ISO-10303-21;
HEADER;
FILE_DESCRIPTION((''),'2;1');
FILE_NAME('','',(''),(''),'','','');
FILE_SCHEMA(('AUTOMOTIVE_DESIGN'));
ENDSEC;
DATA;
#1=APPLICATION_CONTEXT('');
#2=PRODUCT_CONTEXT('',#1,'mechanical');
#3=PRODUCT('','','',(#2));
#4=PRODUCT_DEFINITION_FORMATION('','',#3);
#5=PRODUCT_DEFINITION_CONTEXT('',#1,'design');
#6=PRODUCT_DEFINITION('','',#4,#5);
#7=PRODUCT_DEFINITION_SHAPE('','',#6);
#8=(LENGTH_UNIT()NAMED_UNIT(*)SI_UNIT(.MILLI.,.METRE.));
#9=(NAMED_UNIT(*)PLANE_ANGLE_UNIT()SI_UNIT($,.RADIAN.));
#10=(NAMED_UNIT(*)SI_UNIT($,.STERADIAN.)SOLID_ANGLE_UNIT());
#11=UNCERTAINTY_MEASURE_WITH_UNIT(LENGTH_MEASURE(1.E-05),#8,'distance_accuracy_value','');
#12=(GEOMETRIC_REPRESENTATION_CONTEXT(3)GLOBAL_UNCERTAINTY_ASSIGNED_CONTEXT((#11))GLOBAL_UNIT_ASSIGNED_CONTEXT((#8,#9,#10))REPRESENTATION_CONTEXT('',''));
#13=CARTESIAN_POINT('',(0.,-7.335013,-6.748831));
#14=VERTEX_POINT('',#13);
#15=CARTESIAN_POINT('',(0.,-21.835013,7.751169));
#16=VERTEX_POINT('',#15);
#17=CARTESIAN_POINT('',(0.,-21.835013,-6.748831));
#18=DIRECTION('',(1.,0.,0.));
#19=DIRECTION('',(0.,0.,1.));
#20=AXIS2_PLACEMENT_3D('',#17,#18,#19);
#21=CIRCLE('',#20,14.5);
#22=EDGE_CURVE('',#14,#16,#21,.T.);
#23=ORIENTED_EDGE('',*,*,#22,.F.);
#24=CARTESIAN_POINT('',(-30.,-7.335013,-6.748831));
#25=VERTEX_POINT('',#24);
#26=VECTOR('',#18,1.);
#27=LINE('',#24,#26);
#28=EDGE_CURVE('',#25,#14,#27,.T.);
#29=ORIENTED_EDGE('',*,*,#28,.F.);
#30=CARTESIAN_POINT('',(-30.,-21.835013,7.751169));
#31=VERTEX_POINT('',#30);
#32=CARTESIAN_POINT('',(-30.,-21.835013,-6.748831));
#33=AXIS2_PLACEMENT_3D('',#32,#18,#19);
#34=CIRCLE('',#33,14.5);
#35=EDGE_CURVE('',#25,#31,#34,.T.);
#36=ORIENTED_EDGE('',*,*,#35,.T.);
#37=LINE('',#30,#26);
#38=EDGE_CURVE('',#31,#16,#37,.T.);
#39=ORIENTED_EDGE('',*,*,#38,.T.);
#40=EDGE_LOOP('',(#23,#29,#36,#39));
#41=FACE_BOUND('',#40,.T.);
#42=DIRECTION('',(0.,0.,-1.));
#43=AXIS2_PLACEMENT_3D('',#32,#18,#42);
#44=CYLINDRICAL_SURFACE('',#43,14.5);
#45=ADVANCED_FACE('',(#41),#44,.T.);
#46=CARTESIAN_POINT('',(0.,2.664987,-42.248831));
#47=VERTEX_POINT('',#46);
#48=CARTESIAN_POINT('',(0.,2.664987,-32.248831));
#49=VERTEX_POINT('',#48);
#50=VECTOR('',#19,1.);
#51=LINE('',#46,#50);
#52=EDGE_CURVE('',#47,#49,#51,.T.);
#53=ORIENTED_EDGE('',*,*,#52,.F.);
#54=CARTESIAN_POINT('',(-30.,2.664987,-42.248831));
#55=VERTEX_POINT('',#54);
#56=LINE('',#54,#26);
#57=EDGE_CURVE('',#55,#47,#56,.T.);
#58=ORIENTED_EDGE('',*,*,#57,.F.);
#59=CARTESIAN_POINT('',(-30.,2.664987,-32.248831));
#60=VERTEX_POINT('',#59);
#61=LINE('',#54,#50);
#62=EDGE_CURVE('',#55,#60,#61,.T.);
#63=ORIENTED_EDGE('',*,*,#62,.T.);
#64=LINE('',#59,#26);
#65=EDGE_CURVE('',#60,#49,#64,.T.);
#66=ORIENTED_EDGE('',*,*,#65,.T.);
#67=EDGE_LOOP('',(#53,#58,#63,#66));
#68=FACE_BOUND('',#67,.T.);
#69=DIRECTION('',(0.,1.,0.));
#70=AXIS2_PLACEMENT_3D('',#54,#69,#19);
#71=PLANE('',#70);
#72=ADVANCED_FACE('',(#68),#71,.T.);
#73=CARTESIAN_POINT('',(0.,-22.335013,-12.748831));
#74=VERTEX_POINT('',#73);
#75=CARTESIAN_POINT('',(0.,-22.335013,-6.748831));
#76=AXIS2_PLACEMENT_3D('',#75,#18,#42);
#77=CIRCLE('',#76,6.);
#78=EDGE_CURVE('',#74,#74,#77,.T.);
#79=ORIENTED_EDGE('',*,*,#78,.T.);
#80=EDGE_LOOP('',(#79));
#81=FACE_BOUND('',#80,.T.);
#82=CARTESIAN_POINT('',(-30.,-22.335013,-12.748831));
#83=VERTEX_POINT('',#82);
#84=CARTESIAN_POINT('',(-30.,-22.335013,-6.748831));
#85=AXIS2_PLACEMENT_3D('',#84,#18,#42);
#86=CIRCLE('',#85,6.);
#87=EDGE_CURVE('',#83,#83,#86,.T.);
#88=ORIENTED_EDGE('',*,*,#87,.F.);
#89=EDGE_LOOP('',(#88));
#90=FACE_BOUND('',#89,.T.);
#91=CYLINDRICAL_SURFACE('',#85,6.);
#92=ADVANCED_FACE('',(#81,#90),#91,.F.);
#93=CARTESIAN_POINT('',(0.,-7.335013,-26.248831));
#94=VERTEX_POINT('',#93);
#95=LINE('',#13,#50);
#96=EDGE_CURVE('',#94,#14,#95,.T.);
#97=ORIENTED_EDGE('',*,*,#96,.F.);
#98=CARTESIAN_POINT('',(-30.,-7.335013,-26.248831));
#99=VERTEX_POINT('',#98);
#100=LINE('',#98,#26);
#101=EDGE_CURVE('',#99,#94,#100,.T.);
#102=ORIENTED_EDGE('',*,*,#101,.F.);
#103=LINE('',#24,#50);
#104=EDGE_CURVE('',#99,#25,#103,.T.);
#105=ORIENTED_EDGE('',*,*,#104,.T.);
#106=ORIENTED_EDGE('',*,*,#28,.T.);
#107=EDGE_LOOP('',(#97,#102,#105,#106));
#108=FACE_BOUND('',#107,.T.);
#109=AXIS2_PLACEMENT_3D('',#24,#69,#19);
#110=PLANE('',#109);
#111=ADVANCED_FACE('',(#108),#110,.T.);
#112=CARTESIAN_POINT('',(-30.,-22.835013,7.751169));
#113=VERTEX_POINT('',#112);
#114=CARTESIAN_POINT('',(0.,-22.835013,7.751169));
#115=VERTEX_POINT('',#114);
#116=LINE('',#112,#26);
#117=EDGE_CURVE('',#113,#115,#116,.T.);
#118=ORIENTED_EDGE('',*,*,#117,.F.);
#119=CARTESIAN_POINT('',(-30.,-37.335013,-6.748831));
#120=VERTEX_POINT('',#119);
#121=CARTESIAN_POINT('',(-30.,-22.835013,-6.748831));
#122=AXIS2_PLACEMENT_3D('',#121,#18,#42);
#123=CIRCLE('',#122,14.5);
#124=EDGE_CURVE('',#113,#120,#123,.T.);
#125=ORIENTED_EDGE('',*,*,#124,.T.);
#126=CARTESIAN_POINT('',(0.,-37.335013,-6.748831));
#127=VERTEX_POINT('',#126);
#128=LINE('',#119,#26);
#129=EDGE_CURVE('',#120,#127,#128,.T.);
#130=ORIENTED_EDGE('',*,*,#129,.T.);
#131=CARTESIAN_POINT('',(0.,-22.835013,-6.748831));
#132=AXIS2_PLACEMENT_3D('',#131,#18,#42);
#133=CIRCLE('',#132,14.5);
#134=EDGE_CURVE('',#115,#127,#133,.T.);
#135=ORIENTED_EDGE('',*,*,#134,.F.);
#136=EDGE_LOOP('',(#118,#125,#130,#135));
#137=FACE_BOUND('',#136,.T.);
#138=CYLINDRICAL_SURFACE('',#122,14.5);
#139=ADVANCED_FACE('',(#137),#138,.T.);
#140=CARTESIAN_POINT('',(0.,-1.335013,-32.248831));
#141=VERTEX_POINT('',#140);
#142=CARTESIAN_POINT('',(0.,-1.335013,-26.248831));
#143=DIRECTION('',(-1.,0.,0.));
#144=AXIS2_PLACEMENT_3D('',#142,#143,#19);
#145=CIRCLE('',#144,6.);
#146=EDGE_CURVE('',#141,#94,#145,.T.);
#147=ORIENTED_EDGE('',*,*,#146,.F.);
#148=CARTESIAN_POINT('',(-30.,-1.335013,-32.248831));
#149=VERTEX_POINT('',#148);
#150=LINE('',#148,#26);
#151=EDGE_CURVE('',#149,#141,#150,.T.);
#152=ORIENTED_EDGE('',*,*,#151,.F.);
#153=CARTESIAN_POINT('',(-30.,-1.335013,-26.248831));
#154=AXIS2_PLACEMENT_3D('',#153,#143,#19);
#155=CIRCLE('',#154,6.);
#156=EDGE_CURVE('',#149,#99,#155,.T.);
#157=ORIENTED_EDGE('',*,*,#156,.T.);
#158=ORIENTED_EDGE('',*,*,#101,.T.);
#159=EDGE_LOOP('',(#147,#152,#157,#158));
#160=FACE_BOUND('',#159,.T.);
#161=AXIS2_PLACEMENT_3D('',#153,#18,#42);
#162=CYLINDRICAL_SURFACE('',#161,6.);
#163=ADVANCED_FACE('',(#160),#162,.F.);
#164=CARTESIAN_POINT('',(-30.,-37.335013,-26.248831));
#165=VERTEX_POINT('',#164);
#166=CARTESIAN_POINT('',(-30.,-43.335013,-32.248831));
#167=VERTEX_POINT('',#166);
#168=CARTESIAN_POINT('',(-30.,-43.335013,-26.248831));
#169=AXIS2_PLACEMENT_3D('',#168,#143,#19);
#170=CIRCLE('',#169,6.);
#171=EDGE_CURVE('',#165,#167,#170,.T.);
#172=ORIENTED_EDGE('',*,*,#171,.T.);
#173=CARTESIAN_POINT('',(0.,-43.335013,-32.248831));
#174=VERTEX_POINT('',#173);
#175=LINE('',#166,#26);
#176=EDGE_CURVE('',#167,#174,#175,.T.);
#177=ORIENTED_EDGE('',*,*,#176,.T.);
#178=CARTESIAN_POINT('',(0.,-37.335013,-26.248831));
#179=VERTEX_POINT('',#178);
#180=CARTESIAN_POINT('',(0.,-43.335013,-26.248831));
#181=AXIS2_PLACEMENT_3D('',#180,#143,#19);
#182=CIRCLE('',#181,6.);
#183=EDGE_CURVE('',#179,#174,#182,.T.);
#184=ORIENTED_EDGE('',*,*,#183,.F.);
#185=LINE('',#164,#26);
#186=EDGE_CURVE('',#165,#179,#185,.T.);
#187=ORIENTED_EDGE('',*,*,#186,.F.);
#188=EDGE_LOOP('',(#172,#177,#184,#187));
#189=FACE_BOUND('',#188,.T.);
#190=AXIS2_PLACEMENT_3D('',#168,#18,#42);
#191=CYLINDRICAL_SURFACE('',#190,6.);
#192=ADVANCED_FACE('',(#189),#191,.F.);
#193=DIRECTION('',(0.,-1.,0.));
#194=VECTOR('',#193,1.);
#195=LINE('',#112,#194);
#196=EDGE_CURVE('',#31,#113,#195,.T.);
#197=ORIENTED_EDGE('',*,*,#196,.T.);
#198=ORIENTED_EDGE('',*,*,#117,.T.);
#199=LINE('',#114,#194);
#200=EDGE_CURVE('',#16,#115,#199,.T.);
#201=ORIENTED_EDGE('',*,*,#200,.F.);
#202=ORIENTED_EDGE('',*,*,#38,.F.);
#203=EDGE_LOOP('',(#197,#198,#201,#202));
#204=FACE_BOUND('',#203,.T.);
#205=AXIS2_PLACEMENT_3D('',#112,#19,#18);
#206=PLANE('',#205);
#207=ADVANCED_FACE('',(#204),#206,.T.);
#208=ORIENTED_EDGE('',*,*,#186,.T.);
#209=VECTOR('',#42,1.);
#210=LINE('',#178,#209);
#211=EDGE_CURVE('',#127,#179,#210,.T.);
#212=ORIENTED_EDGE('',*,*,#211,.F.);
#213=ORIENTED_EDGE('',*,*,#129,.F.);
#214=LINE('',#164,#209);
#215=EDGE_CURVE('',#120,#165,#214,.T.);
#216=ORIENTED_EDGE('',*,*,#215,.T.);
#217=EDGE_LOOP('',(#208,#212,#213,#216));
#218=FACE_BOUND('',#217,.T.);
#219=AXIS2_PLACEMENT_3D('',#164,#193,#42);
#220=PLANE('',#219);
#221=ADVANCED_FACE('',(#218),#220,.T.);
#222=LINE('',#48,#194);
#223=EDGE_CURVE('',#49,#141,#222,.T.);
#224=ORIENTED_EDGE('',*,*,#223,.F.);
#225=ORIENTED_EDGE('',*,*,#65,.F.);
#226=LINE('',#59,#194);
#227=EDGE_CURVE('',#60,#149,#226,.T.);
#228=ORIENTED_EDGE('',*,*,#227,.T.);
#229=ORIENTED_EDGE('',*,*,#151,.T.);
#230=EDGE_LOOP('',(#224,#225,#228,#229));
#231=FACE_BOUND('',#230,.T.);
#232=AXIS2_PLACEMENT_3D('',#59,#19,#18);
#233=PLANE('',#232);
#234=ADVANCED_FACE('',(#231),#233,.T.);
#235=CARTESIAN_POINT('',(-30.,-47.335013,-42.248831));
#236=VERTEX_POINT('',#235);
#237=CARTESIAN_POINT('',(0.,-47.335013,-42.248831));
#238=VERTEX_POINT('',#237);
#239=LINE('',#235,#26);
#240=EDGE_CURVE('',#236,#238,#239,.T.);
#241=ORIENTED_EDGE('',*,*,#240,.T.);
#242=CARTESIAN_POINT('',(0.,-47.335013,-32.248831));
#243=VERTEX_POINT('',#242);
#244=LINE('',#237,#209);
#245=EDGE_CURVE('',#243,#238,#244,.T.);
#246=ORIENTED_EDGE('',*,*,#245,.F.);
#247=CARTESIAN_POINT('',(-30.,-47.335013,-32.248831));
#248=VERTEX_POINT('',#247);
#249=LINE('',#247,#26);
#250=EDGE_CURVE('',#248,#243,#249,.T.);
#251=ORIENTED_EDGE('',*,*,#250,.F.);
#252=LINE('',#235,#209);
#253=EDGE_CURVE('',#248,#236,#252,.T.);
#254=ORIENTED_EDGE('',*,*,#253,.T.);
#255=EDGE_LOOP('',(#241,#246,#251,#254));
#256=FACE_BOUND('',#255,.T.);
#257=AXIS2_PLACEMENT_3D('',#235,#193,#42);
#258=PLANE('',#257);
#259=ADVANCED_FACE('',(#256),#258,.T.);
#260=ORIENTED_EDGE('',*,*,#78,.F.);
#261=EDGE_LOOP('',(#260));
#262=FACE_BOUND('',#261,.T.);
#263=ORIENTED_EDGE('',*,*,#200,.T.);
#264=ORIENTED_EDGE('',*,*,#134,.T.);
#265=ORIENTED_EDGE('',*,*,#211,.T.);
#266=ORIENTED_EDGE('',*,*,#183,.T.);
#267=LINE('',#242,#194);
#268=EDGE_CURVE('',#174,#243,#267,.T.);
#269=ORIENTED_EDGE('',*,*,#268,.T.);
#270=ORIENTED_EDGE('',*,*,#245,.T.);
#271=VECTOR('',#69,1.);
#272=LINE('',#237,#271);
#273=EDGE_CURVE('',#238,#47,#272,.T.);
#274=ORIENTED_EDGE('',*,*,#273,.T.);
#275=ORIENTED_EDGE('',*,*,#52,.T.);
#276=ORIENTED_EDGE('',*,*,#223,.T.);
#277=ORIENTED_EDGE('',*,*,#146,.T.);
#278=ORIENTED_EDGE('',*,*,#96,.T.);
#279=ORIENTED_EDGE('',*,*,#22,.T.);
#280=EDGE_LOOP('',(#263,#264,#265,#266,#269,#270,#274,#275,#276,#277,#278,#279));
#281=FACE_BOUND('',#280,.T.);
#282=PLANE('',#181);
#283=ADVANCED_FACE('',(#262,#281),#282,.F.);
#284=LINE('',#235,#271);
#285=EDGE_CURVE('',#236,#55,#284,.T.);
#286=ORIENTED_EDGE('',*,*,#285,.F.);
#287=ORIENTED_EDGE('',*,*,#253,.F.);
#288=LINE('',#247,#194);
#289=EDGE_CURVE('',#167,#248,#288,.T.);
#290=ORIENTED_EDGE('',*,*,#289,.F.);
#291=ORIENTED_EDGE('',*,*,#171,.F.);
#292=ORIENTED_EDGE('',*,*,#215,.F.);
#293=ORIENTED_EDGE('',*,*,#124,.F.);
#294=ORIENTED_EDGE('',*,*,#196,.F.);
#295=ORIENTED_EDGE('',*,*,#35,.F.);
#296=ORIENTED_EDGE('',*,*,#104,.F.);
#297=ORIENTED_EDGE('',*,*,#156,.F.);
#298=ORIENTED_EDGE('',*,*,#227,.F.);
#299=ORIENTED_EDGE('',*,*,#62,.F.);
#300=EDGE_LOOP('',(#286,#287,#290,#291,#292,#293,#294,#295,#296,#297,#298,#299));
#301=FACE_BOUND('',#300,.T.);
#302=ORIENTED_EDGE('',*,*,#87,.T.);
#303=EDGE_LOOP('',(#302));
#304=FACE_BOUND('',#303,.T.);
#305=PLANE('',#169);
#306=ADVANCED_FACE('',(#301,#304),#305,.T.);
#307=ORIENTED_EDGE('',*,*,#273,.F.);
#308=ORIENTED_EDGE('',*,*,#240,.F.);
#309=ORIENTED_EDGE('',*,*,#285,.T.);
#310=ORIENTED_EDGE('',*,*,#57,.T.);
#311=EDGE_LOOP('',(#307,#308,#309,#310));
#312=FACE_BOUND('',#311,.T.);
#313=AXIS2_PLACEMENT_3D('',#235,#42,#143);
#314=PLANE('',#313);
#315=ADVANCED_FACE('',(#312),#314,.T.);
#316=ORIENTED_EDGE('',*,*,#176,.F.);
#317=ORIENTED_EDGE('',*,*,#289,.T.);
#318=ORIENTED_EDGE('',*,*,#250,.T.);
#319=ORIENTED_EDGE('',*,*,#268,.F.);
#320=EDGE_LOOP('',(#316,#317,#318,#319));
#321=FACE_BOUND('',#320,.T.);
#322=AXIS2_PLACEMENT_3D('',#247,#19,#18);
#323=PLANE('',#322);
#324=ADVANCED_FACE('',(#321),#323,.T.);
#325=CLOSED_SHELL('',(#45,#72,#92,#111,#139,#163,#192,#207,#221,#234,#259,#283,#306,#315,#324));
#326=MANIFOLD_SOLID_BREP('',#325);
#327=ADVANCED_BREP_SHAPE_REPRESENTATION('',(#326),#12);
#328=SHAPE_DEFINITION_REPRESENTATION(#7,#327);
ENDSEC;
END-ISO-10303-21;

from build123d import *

# Parameters (mm, degrees)
RESSALTO_EXTRUS_O2_DEPTH = 30
ESBO_O5_R                = 6
CORTE_EXTRUS_O1_DEPTH    = 30


with BuildPart() as part:
    # Esboço3 → Ressalto-extrusão2 (new body)
    with BuildSketch(Plane(origin=(0, 0, 0), x_dir=(0, 0, -1), z_dir=(1, 0, 0))):
        with BuildLine():
            Line((42.248831229, -47.335013165), (42.248831229, 2.664986835))
            Line((42.248831229, 2.664986835), (32.248831229, 2.664986835))
            Line((32.248831229, 2.664986835), (32.248831229, -1.335013165))
            ThreePointArc((32.248831229, -1.335013165), (30.491471916, -5.577653852), (26.248831229, -7.335013165))
            Line((26.248831229, -7.335013165), (6.748831229, -7.335013165))
            ThreePointArc((6.748831229, -7.335013165), (-3.504217098, -11.581964838), (-7.751168771, -21.835013165))
            Line((-7.751168771, -21.835013165), (-7.751168771, -22.835013165))
            ThreePointArc((-7.751168771, -22.835013165), (-3.504217098, -33.088061493), (6.748831229, -37.335013165))
            Line((6.748831229, -37.335013165), (26.248831229, -37.335013165))
            ThreePointArc((26.248831229, -37.335013165), (30.491471916, -39.092372478), (32.248831229, -43.335013165))
            Line((32.248831229, -43.335013165), (32.248831229, -47.335013165))
            Line((32.248831229, -47.335013165), (42.248831229, -47.335013165))
        make_face()
    extrude(amount=-RESSALTO_EXTRUS_O2_DEPTH)

    # Esboço5 → Corte-extrusão1 (cut)
    with BuildSketch(Plane(origin=(0, 0, 0), x_dir=(0, 0, -1), z_dir=(1, 0, 0))):
        with Locations((6.748831229, -22.335013165)):
            Circle(ESBO_O5_R)
    extrude(amount=-CORTE_EXTRUS_O1_DEPTH, mode=Mode.SUBTRACT)


solid = part.part
